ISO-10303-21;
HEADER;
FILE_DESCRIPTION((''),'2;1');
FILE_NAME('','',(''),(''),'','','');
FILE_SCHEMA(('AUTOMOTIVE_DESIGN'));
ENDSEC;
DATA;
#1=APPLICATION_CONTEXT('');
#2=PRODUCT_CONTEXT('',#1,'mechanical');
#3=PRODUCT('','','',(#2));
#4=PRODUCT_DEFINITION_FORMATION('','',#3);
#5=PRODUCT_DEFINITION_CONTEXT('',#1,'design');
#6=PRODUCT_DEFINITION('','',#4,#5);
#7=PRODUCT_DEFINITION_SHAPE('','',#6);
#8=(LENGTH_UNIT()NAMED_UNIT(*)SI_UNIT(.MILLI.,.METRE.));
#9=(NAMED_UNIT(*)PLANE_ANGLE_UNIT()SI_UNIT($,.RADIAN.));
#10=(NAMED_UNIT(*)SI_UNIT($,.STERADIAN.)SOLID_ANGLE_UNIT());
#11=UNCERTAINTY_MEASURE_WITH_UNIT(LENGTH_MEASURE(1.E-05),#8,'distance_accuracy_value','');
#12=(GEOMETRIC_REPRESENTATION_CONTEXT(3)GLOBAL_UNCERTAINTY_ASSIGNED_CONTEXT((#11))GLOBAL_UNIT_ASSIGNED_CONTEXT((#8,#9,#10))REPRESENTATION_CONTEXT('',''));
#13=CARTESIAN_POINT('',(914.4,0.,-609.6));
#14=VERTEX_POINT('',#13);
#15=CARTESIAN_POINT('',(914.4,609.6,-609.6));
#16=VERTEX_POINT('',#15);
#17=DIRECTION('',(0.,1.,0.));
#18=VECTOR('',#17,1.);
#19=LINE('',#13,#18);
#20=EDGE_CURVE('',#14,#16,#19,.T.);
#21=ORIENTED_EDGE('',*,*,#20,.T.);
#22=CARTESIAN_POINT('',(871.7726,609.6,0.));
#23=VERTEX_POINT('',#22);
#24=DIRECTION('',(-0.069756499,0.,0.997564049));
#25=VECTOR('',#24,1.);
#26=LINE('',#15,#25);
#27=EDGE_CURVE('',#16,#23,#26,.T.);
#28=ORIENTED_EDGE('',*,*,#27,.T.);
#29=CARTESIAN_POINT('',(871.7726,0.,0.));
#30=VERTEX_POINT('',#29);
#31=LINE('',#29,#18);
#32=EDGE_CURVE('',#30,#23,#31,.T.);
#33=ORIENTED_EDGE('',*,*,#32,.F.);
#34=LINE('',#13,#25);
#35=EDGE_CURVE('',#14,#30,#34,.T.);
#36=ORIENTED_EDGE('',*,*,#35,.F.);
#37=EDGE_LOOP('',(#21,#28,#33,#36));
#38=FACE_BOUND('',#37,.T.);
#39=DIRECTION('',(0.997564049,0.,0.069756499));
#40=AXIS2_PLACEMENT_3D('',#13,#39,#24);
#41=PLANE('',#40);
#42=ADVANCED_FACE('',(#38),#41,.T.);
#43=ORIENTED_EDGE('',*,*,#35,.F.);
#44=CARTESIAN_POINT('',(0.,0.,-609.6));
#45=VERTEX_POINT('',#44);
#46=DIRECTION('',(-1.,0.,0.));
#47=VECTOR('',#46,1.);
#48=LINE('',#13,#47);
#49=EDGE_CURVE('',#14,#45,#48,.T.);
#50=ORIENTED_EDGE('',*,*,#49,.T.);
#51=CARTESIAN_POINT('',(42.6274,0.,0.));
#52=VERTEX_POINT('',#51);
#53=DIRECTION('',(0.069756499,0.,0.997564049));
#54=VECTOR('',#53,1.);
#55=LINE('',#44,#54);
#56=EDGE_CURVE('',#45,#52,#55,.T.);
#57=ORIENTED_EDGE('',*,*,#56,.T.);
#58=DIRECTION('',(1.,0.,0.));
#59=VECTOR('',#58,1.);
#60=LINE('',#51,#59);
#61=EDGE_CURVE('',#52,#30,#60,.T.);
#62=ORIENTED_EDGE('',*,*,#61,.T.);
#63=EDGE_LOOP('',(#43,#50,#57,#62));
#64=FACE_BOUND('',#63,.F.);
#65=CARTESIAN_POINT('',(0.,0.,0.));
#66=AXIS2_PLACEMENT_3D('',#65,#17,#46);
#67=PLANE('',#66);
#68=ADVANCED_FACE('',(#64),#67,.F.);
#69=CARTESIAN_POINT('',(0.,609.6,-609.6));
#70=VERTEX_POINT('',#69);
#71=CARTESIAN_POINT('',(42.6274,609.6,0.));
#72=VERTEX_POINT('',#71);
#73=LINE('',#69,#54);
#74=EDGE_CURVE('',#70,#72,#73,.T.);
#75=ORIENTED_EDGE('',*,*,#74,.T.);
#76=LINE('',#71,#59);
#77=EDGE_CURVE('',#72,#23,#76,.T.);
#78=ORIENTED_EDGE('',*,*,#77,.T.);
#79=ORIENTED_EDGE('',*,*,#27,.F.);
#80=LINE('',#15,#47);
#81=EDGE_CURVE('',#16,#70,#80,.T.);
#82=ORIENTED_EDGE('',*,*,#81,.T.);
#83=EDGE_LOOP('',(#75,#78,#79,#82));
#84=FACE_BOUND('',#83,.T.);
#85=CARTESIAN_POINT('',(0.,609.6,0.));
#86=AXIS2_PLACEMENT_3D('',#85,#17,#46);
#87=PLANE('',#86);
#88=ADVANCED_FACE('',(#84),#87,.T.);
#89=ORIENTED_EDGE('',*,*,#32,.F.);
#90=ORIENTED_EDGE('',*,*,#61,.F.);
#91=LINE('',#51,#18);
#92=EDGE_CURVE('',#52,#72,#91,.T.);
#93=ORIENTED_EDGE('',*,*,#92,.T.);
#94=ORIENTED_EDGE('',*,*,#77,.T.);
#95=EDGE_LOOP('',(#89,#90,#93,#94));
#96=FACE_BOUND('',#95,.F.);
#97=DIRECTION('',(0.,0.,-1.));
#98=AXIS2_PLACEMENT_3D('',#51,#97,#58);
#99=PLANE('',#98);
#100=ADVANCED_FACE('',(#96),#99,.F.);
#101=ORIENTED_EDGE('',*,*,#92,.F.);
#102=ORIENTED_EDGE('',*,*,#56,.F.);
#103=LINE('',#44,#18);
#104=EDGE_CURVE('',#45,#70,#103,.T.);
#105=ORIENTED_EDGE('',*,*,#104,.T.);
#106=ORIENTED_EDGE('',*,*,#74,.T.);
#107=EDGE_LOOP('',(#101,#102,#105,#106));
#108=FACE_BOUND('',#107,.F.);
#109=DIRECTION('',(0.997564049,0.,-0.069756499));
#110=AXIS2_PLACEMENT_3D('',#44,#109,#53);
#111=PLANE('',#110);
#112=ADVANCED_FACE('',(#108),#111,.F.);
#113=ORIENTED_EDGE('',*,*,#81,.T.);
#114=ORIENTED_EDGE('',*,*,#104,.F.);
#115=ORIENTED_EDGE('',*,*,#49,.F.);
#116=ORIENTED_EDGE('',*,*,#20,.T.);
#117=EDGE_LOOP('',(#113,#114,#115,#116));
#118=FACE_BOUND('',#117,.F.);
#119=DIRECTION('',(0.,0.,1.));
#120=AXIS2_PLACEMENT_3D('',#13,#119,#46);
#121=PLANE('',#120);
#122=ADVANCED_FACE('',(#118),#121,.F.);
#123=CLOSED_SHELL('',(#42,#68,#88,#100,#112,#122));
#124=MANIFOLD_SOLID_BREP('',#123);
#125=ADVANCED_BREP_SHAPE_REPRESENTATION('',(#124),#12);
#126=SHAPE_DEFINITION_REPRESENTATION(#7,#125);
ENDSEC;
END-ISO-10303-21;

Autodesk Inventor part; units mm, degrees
ref_plane "YZ Plane" through (0, 0, 0) normal (1, 0, 0) x (0, 1, 0)
ref_plane "XZ Plane" through (0, 0, 0) normal (0, 1, 0) x (-1, 0, 0)
ref_plane "XY Plane" through (0, 0, 0) normal (0, 0, 1) x (1, 0, 0)
sketch "Sketch1" plane through (0, 0, 0) normal (0, 1, 0) x (-1, 0, 0)
  line L0 (-42.6274, 0) -> (-871.7726, 0)
  line L1 (-914.4, 0) -> (-914.4, -609.6) construction
  line L2 (-914.4, -609.6) -> (0, -609.6)
  line L3 (0, -609.6) -> (0, 0) construction
  line L4 (0, -609.6) -> (-42.6274, 0)
  line L5 (-914.4, -609.6) -> (-871.7726, 0)
  line L6 (-457.2, -609.6) -> (-457.2, 0) construction
  dimension "d0" = 914.4
  dimension "d1" = 609.6
  dimension "d2" = 8
  dimension "d5" = 609.6
extrude "Extrusion1" add sketch "Sketch1" along normal blind 609.6
properties part number "Boulder wall block - 20" material "Granite, Cut, Polished"
